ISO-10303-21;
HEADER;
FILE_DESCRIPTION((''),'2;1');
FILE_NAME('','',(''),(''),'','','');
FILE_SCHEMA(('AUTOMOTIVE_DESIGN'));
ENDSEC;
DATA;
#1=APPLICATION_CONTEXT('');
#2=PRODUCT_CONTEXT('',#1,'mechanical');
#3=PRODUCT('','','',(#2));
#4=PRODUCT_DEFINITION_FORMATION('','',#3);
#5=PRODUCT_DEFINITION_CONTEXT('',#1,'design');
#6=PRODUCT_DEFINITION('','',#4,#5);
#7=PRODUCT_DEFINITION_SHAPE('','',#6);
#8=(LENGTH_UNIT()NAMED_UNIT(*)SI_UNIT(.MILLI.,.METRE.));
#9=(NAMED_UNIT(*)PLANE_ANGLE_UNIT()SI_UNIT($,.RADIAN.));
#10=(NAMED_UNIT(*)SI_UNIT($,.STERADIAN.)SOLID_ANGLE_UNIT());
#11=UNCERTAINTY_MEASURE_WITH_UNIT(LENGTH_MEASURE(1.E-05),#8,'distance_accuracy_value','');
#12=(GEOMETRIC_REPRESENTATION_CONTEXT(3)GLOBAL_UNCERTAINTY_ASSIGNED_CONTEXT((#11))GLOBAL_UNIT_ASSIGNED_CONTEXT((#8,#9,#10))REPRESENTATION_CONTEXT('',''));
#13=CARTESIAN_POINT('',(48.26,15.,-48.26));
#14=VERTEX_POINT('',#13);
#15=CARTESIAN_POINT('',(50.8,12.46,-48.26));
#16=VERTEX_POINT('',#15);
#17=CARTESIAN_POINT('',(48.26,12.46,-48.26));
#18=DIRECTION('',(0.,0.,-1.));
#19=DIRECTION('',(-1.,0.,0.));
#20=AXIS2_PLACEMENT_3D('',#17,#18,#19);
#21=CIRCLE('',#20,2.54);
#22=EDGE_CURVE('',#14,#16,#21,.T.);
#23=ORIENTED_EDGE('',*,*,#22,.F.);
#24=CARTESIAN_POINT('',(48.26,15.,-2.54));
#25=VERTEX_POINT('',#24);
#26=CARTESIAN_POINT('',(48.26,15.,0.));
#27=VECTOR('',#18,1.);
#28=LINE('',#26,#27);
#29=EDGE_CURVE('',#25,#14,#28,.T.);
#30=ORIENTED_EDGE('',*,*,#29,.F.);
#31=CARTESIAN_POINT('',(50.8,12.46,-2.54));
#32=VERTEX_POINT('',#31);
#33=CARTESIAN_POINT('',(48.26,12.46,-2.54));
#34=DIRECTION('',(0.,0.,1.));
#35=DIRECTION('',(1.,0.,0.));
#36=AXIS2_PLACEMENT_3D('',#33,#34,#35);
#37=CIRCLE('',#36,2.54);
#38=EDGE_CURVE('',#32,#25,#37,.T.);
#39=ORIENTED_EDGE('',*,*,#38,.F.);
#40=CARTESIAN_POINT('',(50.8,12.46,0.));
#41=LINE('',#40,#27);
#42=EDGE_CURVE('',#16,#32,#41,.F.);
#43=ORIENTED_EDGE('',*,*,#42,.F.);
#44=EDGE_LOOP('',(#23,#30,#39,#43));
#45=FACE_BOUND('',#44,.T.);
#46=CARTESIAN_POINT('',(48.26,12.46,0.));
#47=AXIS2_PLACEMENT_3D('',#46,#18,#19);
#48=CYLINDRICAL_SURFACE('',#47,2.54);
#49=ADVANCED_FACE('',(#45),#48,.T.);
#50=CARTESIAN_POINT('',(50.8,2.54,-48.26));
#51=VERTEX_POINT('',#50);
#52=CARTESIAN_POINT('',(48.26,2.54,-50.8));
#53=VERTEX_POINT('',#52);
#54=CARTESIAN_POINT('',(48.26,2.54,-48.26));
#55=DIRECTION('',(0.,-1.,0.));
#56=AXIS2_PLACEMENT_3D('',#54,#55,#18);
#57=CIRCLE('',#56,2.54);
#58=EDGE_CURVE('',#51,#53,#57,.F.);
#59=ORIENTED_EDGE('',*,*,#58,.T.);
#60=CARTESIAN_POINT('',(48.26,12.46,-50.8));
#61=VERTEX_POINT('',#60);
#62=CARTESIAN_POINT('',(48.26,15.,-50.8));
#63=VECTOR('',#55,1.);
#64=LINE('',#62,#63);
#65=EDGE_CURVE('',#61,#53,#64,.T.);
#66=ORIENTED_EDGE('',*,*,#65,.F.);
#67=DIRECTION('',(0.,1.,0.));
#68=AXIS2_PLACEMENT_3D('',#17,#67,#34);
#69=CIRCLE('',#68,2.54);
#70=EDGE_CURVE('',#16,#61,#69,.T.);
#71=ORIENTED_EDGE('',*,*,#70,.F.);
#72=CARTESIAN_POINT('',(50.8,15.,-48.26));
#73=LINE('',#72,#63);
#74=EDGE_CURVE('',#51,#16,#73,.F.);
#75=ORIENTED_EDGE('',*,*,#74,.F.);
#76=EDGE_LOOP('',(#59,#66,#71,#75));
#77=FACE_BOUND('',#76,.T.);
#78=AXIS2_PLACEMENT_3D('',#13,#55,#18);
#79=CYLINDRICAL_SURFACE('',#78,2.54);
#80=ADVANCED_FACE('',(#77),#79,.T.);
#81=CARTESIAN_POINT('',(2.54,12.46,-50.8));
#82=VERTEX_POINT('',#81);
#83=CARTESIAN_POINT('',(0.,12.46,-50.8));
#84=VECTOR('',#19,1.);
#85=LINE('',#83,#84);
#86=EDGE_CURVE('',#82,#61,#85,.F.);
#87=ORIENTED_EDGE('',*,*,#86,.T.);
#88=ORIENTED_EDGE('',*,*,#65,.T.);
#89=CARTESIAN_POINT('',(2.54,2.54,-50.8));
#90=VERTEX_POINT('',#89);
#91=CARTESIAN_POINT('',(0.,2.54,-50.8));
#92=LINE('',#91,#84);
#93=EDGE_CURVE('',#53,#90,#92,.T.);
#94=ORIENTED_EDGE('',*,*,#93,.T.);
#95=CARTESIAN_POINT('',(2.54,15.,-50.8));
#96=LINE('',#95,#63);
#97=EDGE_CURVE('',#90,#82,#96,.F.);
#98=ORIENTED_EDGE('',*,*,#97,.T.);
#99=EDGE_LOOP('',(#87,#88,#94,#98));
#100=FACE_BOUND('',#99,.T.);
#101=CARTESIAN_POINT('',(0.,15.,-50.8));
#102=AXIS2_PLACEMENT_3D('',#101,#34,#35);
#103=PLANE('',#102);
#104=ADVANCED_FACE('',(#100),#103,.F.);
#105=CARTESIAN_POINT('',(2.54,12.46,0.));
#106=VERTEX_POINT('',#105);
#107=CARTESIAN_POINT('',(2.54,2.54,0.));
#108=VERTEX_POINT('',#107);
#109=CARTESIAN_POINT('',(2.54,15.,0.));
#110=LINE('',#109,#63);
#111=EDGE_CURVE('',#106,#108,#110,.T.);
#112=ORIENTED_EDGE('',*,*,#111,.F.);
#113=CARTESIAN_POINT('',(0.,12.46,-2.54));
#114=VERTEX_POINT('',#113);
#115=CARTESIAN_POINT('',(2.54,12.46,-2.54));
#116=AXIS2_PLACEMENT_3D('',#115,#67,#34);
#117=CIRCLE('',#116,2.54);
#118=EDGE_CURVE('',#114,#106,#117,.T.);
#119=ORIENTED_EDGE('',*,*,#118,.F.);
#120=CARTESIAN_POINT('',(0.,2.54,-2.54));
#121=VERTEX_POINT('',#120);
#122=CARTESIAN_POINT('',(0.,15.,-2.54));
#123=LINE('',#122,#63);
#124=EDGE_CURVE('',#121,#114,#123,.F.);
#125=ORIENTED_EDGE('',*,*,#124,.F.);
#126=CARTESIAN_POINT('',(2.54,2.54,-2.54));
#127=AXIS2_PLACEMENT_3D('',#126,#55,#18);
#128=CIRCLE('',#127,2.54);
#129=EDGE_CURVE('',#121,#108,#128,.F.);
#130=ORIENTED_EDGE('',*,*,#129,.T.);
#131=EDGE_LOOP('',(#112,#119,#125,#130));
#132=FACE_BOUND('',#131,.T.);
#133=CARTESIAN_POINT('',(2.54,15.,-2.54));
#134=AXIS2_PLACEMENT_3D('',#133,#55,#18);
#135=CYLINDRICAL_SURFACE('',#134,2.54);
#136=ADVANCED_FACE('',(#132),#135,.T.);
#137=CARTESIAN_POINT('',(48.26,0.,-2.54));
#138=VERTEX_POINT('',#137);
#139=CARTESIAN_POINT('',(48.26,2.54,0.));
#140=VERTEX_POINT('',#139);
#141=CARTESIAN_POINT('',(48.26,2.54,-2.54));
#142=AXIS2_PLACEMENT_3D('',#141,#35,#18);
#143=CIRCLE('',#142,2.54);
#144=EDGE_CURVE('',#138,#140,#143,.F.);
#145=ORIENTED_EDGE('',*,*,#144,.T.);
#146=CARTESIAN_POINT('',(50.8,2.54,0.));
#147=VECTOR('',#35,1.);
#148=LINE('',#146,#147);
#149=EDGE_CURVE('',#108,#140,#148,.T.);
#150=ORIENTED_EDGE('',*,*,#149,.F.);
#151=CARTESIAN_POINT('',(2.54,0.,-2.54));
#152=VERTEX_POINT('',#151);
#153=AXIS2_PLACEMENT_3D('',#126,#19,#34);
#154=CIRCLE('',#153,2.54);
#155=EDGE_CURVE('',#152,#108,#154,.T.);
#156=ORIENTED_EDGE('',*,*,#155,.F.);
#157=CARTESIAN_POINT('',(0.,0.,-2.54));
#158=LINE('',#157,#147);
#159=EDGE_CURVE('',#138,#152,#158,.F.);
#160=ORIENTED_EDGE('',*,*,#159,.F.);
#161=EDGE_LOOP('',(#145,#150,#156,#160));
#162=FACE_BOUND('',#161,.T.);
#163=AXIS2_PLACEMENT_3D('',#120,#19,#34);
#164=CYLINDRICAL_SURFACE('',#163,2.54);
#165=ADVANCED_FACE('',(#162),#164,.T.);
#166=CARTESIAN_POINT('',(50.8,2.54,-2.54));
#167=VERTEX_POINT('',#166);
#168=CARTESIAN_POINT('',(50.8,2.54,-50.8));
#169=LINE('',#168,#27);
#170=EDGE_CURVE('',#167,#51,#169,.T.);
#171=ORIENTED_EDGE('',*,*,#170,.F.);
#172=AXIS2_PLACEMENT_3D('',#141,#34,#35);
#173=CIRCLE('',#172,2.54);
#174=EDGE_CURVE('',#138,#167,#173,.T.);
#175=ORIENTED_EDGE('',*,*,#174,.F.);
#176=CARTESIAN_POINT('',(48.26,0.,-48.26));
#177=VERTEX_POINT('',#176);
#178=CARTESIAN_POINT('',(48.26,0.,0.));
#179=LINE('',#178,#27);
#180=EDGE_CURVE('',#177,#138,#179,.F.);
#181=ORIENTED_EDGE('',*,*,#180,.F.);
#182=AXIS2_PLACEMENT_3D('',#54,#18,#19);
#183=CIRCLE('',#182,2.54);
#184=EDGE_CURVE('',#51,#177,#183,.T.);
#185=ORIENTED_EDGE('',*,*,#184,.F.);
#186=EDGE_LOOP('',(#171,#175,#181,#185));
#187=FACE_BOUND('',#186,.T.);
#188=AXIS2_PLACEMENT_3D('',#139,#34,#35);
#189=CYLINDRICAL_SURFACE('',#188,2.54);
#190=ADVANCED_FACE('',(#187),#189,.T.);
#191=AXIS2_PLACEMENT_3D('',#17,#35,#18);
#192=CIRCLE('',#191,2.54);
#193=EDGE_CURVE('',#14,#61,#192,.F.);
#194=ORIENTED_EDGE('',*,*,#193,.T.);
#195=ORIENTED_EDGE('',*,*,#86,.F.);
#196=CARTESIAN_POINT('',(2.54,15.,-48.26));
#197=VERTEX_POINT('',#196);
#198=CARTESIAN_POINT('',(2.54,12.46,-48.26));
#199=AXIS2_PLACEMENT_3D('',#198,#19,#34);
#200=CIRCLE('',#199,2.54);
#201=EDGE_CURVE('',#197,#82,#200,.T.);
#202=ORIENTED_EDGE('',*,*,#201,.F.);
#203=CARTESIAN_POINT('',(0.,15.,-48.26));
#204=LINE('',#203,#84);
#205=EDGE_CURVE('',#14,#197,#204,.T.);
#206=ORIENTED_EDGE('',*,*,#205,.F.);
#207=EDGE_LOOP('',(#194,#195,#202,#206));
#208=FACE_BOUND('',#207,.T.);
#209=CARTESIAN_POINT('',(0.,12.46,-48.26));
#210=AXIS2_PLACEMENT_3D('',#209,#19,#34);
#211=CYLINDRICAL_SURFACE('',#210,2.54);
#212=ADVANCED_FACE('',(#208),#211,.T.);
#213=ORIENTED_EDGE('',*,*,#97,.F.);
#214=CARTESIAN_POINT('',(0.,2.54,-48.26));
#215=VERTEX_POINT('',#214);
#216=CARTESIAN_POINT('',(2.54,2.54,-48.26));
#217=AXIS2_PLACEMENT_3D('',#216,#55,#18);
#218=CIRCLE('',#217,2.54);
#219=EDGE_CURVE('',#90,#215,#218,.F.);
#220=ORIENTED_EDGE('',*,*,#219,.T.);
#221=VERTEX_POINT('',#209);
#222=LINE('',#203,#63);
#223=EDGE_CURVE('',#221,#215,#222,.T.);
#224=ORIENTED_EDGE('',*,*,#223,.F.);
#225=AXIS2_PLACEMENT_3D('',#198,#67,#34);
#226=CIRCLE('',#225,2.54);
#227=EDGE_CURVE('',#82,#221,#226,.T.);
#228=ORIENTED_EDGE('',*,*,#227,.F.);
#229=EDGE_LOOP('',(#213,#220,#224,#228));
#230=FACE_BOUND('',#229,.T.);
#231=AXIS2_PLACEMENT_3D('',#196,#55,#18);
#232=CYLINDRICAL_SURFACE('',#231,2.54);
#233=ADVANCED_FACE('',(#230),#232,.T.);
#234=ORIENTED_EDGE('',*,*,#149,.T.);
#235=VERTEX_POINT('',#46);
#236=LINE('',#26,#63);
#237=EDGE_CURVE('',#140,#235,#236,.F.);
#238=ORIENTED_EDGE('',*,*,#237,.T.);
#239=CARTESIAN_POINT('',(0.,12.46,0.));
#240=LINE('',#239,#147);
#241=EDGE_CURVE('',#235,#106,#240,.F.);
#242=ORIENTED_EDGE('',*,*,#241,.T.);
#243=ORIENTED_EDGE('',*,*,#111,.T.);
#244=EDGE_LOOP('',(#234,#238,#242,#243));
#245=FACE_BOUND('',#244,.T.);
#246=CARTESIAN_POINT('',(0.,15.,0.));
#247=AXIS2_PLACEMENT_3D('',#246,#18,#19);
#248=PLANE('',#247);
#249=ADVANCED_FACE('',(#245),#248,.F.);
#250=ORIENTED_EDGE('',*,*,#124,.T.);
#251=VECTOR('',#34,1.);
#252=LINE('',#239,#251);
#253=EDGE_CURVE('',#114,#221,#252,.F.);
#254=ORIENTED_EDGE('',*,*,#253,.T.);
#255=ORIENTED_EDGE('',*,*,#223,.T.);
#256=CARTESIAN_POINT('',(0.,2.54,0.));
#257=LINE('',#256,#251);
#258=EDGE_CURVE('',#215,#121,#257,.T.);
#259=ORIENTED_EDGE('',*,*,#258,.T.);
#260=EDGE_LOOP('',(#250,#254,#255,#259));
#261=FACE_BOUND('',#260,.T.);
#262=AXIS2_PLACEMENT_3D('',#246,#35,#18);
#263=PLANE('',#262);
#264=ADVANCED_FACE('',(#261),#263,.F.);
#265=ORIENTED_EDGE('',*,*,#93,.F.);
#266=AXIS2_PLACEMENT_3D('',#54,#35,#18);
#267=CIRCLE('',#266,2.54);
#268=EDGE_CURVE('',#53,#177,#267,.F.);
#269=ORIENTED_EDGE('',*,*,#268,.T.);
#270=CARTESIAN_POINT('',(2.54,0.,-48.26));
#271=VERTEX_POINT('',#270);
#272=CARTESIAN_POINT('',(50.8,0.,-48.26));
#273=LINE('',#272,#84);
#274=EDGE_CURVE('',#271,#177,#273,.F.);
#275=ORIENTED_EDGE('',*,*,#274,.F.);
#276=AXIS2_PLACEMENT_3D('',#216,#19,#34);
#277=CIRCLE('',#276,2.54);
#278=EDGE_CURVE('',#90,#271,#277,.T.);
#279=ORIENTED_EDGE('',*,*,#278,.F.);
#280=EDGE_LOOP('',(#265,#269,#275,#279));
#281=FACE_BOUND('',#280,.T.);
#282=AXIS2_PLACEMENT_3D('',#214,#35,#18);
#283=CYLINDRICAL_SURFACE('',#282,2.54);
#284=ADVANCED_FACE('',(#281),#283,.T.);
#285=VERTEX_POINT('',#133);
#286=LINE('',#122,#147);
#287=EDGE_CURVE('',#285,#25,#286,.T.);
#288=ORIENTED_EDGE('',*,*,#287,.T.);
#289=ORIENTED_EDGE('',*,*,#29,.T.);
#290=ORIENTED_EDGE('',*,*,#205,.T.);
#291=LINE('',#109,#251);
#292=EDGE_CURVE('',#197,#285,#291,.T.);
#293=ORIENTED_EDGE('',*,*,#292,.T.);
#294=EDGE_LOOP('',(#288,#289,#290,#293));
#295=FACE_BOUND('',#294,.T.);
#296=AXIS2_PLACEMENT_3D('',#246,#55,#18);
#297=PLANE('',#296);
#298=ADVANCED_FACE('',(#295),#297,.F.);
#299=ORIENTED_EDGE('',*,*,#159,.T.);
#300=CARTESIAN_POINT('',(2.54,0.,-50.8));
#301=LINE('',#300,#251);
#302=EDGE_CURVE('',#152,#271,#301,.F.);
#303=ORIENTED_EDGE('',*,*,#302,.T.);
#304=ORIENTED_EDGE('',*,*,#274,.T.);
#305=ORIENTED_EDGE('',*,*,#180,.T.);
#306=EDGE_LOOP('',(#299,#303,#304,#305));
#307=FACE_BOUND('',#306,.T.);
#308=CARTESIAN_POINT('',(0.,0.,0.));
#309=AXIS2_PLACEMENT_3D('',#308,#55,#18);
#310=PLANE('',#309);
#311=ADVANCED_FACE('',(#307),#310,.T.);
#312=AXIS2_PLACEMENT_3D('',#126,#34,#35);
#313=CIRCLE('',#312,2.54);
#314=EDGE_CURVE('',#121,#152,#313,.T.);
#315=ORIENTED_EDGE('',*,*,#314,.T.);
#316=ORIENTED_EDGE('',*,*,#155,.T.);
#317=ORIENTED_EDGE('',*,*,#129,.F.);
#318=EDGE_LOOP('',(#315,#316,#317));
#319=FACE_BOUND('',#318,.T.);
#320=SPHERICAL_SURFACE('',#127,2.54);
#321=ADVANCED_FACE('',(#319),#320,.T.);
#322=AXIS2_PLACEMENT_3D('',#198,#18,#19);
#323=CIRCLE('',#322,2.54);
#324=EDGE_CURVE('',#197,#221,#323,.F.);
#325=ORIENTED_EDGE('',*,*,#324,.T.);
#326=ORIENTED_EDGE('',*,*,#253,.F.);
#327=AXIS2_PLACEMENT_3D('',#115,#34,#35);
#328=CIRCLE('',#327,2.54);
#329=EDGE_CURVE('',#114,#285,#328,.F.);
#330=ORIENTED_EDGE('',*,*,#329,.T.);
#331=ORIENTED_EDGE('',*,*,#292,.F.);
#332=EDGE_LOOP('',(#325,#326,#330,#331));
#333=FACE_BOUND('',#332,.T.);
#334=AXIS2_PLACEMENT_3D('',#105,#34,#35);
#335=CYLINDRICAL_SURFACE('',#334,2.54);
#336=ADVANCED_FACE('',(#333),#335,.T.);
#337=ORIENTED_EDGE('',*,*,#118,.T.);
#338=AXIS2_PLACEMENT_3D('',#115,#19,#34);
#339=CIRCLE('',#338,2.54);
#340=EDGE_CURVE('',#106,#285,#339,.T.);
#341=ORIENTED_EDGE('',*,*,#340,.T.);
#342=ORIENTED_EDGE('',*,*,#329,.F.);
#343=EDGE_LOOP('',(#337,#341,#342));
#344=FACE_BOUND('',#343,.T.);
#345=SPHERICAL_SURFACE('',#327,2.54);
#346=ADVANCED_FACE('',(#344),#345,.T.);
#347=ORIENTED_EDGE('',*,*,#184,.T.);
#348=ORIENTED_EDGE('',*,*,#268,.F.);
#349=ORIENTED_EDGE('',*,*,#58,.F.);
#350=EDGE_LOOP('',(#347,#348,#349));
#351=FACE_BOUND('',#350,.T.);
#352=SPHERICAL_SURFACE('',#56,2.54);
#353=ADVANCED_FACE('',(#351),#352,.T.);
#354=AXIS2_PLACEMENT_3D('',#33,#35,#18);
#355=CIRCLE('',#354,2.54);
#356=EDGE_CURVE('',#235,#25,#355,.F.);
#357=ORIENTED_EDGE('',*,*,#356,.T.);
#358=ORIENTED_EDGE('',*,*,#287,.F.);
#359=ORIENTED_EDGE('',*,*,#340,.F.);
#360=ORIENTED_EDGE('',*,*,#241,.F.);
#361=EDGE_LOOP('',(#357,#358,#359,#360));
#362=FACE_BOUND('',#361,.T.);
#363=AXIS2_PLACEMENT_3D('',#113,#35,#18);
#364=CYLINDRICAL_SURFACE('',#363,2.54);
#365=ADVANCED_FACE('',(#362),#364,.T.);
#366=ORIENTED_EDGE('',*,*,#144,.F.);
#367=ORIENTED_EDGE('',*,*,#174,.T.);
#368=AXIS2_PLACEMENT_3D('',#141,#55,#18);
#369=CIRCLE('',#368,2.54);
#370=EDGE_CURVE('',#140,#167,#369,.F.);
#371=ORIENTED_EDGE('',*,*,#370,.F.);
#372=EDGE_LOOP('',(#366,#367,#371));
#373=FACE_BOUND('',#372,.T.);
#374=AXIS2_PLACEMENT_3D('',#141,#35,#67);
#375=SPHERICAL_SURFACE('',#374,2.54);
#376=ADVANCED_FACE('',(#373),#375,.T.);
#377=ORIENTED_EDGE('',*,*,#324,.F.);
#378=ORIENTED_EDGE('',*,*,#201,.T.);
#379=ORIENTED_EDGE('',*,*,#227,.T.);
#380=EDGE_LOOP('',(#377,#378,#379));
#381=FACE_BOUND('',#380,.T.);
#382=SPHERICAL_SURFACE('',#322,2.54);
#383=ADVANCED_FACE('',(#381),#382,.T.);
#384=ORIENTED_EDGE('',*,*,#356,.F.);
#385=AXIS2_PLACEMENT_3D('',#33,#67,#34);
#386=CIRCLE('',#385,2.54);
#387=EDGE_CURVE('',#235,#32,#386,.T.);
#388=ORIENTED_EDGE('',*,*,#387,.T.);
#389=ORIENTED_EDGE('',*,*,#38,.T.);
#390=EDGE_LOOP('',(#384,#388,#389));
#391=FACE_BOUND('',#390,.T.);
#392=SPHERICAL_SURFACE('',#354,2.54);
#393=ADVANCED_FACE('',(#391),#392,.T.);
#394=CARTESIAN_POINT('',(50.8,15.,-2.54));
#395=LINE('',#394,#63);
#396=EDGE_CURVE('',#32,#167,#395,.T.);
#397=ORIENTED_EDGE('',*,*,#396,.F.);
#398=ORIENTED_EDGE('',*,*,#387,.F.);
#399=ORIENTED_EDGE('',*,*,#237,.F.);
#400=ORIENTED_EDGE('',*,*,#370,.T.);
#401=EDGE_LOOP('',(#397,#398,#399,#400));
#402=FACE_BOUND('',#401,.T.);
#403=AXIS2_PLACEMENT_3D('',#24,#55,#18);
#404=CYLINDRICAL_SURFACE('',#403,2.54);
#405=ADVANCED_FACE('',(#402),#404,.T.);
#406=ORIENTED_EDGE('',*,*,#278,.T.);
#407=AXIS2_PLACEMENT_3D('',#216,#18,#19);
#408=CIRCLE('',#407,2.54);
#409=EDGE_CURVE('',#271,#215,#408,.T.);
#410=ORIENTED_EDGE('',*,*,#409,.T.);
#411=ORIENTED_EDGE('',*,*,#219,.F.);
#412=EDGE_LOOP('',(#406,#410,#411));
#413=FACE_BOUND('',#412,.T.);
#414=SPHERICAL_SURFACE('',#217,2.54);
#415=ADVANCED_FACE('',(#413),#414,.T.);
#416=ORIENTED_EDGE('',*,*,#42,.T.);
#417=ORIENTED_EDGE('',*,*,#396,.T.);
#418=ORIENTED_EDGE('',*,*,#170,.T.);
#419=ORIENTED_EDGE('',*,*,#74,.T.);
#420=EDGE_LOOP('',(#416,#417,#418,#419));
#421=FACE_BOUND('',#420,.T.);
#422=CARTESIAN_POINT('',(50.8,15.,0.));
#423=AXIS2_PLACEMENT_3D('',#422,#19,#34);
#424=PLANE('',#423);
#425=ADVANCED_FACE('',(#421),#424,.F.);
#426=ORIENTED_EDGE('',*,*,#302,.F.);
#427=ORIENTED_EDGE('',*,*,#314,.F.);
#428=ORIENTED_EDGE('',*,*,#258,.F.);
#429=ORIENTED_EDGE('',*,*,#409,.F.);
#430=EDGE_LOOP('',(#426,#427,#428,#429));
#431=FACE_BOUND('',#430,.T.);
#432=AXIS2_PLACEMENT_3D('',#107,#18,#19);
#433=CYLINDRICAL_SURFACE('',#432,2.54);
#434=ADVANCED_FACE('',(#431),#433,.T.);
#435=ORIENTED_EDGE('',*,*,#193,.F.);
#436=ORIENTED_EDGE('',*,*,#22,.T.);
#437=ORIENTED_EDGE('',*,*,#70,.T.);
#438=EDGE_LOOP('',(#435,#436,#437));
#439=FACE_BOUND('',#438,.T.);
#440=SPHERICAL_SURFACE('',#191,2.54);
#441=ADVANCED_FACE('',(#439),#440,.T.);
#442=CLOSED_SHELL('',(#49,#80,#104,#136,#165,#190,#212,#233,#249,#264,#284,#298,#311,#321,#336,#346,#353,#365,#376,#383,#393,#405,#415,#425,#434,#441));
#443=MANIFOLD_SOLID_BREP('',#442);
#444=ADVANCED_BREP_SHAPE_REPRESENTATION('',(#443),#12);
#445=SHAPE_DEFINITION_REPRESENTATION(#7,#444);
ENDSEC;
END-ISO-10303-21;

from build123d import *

# Parameters (mm, degrees)
SKETCH1_W           = 50.8
SKETCH1_H           = 50.8
BOSS_EXTRUDE1_DEPTH = 15
FILLET1_R           = 2.54


with BuildPart() as part:
    # Sketch1 → Boss-Extrude1 (new body)
    with BuildSketch(Plane(origin=(0, 0, 0), x_dir=(1, 0, 0), z_dir=(0, 1, 0))):
        with Locations((25.4, 25.4)):
            Rectangle(SKETCH1_W, SKETCH1_H)
    extrude(amount=BOSS_EXTRUDE1_DEPTH)

    # Fillet1
    fillet1_edges = [part.edges().sort_by_distance(p)[0] for p in [
        (50.8, 15, -25.4),
        (25.4, 15, -50.8),
        (0, 15, -25.4),
        (25.4, 0, -50.8),
        (50.8, 0, -25.4),
        (25.4, 0, 0),
        (0, 0, -25.4),
        (0, 7.5, -50.8),
        (50.8, 7.5, -50.8),
        (50.8, 7.5, 0),
        (0, 7.5, 0),
        (25.4, 15, 0),
    ]]
    fillet(fillet1_edges, radius=FILLET1_R)


solid = part.part
